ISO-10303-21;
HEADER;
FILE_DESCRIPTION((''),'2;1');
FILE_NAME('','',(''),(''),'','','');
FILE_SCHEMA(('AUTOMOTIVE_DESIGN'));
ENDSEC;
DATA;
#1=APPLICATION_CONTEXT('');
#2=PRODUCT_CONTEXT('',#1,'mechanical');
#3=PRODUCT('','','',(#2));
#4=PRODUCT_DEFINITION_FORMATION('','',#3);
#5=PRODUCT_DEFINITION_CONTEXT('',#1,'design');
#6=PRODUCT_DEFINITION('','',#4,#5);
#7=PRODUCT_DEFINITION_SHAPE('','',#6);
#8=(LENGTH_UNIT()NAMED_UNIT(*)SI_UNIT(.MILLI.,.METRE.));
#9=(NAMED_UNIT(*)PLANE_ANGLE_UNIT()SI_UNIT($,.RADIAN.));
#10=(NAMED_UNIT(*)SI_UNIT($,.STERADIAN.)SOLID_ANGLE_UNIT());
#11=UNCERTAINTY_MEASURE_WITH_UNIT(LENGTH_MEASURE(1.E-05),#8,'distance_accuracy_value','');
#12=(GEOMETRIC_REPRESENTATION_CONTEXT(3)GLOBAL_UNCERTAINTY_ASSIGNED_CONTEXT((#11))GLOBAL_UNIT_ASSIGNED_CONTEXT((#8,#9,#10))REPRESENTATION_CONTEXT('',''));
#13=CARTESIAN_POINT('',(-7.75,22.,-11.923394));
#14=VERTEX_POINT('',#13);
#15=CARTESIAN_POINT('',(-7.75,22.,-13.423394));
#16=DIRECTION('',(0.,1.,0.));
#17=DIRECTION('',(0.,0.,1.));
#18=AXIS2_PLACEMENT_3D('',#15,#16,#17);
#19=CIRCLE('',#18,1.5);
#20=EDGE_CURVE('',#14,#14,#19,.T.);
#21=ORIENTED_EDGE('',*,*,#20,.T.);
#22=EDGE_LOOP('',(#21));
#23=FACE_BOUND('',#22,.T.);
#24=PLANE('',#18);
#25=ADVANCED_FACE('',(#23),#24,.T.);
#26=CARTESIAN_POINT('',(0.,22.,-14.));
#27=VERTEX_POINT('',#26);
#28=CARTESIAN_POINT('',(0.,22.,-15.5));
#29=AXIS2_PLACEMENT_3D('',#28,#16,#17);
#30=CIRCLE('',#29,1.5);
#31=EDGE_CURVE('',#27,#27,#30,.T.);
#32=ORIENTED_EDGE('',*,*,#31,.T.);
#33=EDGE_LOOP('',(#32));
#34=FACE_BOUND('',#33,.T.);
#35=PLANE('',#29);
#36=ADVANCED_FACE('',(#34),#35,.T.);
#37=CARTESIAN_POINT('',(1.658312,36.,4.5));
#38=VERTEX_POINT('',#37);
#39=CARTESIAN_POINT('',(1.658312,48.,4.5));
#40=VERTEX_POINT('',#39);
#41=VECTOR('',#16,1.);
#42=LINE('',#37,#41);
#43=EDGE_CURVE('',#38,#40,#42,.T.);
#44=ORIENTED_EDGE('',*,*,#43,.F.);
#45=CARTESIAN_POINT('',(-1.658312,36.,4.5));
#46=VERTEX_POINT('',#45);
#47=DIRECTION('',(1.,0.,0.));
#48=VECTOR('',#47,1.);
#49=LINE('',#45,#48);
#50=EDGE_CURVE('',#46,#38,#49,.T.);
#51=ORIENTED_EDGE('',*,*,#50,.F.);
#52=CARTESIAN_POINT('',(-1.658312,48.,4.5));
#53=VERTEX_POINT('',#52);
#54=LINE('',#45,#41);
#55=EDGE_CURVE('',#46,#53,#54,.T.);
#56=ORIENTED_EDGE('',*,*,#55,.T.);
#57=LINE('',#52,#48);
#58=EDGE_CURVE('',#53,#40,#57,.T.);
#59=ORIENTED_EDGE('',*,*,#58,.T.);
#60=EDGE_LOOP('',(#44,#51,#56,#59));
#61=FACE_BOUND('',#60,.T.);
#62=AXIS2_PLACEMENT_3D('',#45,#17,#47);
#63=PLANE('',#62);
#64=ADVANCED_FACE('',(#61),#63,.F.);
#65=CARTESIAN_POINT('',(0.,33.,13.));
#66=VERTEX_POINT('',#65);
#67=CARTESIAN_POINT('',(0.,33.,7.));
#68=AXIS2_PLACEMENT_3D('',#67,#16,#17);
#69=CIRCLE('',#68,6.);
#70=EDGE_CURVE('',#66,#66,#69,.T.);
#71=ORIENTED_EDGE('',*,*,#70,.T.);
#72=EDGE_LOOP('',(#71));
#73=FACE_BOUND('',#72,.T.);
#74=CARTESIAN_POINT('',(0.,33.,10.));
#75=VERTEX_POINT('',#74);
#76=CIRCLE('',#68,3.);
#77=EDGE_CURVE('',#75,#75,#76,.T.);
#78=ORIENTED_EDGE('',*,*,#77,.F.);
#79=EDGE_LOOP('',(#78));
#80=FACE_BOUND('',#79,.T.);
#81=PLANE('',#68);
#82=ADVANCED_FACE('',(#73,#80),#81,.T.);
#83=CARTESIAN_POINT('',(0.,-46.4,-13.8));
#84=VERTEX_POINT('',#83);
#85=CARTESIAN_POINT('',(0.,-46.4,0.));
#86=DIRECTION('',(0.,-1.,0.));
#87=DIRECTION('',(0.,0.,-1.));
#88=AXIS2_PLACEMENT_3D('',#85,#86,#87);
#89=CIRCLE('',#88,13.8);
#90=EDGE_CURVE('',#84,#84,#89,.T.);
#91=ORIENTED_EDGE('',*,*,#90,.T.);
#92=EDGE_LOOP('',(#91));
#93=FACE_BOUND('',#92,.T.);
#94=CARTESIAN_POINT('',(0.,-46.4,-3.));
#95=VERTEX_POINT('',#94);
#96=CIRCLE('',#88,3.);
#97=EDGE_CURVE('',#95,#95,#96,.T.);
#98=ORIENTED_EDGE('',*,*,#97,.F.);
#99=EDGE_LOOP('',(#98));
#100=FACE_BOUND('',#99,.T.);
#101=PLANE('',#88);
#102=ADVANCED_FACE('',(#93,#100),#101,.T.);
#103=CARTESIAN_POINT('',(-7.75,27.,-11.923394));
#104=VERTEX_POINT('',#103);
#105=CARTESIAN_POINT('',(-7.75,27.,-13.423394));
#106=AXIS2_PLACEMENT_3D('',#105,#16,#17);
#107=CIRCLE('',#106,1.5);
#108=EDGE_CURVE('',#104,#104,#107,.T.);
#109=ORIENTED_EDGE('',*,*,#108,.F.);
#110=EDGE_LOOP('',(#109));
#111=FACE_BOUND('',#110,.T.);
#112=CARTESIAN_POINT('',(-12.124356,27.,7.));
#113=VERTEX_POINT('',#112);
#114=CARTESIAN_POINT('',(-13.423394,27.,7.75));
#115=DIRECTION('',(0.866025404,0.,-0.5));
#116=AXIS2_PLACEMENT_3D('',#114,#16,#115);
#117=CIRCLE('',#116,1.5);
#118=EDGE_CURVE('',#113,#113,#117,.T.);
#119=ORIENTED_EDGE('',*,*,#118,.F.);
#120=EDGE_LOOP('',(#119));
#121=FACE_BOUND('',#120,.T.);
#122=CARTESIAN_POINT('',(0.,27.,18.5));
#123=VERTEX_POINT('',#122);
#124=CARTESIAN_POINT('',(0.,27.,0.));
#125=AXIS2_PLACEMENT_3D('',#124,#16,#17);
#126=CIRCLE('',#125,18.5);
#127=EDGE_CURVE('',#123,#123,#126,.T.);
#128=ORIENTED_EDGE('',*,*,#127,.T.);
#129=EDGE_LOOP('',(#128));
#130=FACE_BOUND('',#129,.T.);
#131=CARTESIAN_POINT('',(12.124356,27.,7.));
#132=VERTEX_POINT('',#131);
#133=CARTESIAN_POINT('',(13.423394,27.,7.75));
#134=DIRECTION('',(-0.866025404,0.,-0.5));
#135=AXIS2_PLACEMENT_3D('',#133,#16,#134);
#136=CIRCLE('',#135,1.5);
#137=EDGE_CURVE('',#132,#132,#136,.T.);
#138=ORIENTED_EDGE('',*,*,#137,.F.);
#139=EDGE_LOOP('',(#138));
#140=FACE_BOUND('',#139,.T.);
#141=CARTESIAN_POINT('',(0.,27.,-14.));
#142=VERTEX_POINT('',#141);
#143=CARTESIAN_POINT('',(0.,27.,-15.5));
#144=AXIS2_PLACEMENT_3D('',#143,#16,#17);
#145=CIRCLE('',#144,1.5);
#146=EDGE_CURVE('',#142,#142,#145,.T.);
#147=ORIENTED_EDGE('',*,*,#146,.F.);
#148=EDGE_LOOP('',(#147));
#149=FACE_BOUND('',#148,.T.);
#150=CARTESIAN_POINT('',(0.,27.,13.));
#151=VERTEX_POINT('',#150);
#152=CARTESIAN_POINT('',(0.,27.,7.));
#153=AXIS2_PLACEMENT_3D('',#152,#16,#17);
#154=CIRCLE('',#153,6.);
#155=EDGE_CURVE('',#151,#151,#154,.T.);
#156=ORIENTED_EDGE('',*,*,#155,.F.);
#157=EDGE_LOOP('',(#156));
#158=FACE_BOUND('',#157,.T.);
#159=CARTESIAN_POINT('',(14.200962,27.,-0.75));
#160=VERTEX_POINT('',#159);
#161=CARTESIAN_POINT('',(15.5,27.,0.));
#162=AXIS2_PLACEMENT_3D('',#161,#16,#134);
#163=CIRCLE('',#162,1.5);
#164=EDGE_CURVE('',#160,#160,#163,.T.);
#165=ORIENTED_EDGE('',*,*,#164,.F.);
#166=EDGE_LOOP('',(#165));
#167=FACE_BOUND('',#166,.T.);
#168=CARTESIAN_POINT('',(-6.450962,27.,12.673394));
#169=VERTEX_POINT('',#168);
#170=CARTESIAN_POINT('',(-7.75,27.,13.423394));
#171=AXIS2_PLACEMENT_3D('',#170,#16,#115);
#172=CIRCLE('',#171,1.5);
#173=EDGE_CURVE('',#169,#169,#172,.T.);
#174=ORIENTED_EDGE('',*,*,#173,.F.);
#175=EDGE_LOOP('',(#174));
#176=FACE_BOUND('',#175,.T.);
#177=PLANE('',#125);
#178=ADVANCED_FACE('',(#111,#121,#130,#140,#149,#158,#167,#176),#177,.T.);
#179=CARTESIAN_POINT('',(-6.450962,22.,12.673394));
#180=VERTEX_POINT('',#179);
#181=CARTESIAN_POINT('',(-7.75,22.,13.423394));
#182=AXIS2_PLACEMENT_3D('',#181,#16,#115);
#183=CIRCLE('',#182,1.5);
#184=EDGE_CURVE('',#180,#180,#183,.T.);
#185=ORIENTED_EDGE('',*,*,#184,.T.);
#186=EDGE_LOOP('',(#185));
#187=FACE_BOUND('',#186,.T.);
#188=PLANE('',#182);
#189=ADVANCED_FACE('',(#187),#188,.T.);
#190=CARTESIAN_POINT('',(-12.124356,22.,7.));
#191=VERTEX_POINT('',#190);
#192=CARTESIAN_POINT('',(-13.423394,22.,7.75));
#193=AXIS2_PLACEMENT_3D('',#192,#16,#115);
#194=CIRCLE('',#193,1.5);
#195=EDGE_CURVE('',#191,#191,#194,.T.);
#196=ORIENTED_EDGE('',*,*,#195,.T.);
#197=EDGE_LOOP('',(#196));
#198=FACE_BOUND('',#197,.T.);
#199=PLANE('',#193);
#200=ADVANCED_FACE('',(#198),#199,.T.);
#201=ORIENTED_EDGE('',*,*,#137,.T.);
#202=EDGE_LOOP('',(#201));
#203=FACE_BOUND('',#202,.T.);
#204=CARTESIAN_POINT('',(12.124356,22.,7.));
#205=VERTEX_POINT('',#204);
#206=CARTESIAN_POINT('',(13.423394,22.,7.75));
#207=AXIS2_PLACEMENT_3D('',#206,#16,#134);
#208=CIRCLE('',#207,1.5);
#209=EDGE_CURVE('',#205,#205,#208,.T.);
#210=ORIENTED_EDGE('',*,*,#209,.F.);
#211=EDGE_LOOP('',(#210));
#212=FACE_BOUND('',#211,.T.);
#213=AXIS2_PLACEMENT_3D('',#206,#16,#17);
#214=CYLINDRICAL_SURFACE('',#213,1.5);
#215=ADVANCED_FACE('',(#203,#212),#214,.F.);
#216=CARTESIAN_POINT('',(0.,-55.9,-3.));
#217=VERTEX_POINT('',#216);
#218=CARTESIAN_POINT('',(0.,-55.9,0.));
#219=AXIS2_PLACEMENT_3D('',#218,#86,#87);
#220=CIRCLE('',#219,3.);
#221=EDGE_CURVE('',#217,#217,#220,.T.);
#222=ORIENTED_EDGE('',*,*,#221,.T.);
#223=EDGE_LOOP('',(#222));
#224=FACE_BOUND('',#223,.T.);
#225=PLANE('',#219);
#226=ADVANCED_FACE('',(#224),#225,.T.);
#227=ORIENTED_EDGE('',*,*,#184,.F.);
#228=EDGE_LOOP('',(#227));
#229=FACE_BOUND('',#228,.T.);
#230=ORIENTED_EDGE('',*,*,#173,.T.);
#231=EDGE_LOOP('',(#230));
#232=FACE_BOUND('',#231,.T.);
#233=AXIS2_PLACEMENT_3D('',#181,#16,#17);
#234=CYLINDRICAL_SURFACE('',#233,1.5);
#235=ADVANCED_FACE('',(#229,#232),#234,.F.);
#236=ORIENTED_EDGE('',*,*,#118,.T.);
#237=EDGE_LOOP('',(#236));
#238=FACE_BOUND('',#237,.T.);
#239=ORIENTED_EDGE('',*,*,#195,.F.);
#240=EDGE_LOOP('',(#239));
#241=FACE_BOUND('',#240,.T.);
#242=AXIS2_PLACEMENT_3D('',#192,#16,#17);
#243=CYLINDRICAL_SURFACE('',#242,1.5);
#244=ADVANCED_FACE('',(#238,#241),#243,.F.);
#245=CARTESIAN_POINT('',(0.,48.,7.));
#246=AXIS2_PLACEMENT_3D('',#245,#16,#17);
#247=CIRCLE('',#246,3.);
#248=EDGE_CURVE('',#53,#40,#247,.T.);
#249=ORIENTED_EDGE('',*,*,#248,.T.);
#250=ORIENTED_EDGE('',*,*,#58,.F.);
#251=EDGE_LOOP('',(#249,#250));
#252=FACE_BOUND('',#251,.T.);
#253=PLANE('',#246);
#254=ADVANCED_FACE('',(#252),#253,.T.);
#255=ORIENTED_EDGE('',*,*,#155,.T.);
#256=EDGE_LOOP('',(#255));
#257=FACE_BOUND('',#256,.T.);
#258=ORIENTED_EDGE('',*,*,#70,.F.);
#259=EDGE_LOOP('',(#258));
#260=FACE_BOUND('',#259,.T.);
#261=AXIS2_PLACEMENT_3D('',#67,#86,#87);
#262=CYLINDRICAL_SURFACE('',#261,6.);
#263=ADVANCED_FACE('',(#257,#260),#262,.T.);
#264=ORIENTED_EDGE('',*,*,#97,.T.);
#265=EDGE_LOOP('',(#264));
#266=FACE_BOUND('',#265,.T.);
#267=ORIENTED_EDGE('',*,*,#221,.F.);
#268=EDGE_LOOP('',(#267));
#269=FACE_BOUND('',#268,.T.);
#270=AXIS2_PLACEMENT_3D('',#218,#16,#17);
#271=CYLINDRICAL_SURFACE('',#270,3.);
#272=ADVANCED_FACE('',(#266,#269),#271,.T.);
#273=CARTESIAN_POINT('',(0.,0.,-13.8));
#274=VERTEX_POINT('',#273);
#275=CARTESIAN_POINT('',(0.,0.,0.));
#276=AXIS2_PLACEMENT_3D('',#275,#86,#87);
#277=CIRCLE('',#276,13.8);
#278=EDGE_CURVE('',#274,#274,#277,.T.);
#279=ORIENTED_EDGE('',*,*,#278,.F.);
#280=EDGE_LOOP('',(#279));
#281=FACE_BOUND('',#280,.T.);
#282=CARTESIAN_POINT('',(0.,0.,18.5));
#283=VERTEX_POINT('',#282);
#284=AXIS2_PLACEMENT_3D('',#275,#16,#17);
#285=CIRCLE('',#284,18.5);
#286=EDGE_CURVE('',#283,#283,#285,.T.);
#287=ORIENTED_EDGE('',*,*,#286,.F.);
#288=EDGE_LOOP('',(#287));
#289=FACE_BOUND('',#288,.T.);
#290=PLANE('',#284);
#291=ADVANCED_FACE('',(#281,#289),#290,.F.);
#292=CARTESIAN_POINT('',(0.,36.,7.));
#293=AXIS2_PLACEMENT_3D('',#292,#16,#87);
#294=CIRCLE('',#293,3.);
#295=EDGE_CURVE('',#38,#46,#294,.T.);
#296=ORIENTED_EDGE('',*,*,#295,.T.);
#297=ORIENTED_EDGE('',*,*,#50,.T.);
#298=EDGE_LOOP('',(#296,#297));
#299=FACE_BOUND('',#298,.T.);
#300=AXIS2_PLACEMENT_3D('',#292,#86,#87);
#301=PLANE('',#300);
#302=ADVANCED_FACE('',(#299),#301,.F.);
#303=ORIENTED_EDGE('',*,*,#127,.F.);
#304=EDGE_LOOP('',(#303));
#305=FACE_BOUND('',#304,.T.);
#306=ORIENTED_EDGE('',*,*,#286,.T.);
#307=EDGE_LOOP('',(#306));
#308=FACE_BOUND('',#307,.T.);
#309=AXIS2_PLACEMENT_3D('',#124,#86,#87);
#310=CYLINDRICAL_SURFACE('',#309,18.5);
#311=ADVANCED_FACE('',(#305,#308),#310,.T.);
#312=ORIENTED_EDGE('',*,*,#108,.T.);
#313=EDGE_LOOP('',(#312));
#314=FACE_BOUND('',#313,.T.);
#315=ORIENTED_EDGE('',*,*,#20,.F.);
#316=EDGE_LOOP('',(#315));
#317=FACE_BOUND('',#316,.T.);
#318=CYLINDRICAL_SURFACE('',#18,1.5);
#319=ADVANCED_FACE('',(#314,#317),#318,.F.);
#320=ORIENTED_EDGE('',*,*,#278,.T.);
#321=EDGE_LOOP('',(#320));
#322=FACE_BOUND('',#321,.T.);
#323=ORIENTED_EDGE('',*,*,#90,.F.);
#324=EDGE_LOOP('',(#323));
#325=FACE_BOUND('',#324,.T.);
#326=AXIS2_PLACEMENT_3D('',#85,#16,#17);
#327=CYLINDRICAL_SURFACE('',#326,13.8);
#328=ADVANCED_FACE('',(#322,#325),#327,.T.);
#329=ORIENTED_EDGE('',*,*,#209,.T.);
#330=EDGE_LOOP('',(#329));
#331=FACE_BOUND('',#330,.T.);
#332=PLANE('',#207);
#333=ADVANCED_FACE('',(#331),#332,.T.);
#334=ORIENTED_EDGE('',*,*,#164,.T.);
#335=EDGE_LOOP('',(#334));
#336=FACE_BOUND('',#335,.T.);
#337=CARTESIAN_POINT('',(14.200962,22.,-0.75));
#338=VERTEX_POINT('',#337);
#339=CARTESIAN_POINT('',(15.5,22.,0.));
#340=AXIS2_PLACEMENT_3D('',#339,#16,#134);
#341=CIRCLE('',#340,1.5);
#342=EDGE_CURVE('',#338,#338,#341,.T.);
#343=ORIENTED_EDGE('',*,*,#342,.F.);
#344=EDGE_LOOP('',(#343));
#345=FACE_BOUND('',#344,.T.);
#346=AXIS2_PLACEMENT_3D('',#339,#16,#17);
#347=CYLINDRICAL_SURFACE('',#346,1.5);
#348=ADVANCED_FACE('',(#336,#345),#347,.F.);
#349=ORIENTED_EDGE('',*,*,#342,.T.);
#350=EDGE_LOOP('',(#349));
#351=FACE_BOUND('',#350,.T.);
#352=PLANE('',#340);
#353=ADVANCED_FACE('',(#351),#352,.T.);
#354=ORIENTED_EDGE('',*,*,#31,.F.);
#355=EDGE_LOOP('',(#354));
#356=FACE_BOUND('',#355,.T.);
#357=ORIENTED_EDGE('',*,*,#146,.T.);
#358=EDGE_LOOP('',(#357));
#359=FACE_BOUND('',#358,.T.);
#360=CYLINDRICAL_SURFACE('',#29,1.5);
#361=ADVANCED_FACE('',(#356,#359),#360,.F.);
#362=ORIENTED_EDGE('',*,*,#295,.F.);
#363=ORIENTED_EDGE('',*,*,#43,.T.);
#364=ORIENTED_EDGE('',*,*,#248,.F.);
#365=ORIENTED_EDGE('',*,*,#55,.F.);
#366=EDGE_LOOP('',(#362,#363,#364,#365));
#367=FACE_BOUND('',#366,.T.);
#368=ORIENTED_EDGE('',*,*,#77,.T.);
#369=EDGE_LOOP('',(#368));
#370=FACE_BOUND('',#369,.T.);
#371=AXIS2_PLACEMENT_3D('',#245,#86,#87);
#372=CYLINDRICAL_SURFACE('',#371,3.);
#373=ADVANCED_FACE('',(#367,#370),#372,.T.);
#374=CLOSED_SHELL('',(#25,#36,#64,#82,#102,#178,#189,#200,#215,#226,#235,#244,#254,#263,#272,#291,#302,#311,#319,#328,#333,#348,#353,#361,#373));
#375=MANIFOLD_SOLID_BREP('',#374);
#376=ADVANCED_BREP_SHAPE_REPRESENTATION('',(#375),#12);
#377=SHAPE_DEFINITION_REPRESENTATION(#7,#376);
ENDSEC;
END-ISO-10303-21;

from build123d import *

# Parameters (mm, degrees)
SKETCH1_R           = 18.5
BOSS_EXTRUDE1_DEPTH = 27
SKETCH2_R           = 1.5
CUT_EXTRUDE1_DEPTH  = 5
CIRPATTERN1_COUNT   = 3
SKETCH3_R           = 6
BOSS_EXTRUDE2_DEPTH = 6
SKETCH4_R           = 3
BOSS_EXTRUDE3_DEPTH = 15
CUT_EXTRUDE2_DEPTH  = 12
SKETCH6_R           = 13.8
BOSS_EXTRUDE4_DEPTH = 46.4
SKETCH7_R           = 3
BOSS_EXTRUDE5_DEPTH = 9.5


with BuildPart() as part:
    # Sketch1 → Boss-Extrude1 (new body)
    with BuildSketch(Plane(origin=(0, 0, 0), x_dir=(1, 0, 0), z_dir=(0, 1, 0))):
        Circle(SKETCH1_R)
    extrude(amount=BOSS_EXTRUDE1_DEPTH)

    # Sketch2 → Cut-Extrude1 (cut)
    with BuildSketch(Plane(origin=(0, 27, 0), x_dir=(1, 0, 0), z_dir=(0, 1, 0))):
        with Locations((0, 15.5)):
            Circle(SKETCH2_R)
        with Locations((-7.75, 13.423393759)):
            Circle(SKETCH2_R)
    cut_extrude1 = extrude(amount=-CUT_EXTRUDE1_DEPTH, mode=Mode.SUBTRACT)

    # CirPattern1: Cut-Extrude1 ×3 about axis
    cirpattern1_axis = Axis((0, 0, 0), (0, 1, 0))
    for i in range(1, CIRPATTERN1_COUNT):
        add(cut_extrude1.rotate(cirpattern1_axis, i * 360 / CIRPATTERN1_COUNT), mode=Mode.SUBTRACT)

    # Sketch3 → Boss-Extrude2 (add)
    with BuildSketch(Plane(origin=(0, 27, 0), x_dir=(1, 0, 0), z_dir=(0, 1, 0))):
        with Locations((0, -7)):
            Circle(SKETCH3_R)
    extrude(amount=BOSS_EXTRUDE2_DEPTH)

    # Sketch4 → Boss-Extrude3 (add)
    with BuildSketch(Plane(origin=(0, 33, 0), x_dir=(1, 0, 0), z_dir=(0, 1, 0))):
        with Locations((0, -7)):
            Circle(SKETCH4_R)
    extrude(amount=BOSS_EXTRUDE3_DEPTH)

    # Sketch5 → Cut-Extrude2 (cut)
    with BuildSketch(Plane(origin=(0, 48, 0), x_dir=(1, 0, 0), z_dir=(0, 1, 0))):
        with BuildLine():
            Line((-1.658312395, -4.5), (1.658312395, -4.5))
            ThreePointArc((1.658312395, -4.5), (0, -4), (-1.658312395, -4.5))
        make_face()
    extrude(amount=-CUT_EXTRUDE2_DEPTH, mode=Mode.SUBTRACT)

    # Sketch6 → Boss-Extrude4 (add)
    with BuildSketch(Plane.XZ):
        Circle(SKETCH6_R)
    extrude(amount=BOSS_EXTRUDE4_DEPTH)

    # Sketch7 → Boss-Extrude5 (add)
    with BuildSketch(Plane.XZ.offset(46.4)):
        Circle(SKETCH7_R)
    extrude(amount=BOSS_EXTRUDE5_DEPTH)


solid = part.part
